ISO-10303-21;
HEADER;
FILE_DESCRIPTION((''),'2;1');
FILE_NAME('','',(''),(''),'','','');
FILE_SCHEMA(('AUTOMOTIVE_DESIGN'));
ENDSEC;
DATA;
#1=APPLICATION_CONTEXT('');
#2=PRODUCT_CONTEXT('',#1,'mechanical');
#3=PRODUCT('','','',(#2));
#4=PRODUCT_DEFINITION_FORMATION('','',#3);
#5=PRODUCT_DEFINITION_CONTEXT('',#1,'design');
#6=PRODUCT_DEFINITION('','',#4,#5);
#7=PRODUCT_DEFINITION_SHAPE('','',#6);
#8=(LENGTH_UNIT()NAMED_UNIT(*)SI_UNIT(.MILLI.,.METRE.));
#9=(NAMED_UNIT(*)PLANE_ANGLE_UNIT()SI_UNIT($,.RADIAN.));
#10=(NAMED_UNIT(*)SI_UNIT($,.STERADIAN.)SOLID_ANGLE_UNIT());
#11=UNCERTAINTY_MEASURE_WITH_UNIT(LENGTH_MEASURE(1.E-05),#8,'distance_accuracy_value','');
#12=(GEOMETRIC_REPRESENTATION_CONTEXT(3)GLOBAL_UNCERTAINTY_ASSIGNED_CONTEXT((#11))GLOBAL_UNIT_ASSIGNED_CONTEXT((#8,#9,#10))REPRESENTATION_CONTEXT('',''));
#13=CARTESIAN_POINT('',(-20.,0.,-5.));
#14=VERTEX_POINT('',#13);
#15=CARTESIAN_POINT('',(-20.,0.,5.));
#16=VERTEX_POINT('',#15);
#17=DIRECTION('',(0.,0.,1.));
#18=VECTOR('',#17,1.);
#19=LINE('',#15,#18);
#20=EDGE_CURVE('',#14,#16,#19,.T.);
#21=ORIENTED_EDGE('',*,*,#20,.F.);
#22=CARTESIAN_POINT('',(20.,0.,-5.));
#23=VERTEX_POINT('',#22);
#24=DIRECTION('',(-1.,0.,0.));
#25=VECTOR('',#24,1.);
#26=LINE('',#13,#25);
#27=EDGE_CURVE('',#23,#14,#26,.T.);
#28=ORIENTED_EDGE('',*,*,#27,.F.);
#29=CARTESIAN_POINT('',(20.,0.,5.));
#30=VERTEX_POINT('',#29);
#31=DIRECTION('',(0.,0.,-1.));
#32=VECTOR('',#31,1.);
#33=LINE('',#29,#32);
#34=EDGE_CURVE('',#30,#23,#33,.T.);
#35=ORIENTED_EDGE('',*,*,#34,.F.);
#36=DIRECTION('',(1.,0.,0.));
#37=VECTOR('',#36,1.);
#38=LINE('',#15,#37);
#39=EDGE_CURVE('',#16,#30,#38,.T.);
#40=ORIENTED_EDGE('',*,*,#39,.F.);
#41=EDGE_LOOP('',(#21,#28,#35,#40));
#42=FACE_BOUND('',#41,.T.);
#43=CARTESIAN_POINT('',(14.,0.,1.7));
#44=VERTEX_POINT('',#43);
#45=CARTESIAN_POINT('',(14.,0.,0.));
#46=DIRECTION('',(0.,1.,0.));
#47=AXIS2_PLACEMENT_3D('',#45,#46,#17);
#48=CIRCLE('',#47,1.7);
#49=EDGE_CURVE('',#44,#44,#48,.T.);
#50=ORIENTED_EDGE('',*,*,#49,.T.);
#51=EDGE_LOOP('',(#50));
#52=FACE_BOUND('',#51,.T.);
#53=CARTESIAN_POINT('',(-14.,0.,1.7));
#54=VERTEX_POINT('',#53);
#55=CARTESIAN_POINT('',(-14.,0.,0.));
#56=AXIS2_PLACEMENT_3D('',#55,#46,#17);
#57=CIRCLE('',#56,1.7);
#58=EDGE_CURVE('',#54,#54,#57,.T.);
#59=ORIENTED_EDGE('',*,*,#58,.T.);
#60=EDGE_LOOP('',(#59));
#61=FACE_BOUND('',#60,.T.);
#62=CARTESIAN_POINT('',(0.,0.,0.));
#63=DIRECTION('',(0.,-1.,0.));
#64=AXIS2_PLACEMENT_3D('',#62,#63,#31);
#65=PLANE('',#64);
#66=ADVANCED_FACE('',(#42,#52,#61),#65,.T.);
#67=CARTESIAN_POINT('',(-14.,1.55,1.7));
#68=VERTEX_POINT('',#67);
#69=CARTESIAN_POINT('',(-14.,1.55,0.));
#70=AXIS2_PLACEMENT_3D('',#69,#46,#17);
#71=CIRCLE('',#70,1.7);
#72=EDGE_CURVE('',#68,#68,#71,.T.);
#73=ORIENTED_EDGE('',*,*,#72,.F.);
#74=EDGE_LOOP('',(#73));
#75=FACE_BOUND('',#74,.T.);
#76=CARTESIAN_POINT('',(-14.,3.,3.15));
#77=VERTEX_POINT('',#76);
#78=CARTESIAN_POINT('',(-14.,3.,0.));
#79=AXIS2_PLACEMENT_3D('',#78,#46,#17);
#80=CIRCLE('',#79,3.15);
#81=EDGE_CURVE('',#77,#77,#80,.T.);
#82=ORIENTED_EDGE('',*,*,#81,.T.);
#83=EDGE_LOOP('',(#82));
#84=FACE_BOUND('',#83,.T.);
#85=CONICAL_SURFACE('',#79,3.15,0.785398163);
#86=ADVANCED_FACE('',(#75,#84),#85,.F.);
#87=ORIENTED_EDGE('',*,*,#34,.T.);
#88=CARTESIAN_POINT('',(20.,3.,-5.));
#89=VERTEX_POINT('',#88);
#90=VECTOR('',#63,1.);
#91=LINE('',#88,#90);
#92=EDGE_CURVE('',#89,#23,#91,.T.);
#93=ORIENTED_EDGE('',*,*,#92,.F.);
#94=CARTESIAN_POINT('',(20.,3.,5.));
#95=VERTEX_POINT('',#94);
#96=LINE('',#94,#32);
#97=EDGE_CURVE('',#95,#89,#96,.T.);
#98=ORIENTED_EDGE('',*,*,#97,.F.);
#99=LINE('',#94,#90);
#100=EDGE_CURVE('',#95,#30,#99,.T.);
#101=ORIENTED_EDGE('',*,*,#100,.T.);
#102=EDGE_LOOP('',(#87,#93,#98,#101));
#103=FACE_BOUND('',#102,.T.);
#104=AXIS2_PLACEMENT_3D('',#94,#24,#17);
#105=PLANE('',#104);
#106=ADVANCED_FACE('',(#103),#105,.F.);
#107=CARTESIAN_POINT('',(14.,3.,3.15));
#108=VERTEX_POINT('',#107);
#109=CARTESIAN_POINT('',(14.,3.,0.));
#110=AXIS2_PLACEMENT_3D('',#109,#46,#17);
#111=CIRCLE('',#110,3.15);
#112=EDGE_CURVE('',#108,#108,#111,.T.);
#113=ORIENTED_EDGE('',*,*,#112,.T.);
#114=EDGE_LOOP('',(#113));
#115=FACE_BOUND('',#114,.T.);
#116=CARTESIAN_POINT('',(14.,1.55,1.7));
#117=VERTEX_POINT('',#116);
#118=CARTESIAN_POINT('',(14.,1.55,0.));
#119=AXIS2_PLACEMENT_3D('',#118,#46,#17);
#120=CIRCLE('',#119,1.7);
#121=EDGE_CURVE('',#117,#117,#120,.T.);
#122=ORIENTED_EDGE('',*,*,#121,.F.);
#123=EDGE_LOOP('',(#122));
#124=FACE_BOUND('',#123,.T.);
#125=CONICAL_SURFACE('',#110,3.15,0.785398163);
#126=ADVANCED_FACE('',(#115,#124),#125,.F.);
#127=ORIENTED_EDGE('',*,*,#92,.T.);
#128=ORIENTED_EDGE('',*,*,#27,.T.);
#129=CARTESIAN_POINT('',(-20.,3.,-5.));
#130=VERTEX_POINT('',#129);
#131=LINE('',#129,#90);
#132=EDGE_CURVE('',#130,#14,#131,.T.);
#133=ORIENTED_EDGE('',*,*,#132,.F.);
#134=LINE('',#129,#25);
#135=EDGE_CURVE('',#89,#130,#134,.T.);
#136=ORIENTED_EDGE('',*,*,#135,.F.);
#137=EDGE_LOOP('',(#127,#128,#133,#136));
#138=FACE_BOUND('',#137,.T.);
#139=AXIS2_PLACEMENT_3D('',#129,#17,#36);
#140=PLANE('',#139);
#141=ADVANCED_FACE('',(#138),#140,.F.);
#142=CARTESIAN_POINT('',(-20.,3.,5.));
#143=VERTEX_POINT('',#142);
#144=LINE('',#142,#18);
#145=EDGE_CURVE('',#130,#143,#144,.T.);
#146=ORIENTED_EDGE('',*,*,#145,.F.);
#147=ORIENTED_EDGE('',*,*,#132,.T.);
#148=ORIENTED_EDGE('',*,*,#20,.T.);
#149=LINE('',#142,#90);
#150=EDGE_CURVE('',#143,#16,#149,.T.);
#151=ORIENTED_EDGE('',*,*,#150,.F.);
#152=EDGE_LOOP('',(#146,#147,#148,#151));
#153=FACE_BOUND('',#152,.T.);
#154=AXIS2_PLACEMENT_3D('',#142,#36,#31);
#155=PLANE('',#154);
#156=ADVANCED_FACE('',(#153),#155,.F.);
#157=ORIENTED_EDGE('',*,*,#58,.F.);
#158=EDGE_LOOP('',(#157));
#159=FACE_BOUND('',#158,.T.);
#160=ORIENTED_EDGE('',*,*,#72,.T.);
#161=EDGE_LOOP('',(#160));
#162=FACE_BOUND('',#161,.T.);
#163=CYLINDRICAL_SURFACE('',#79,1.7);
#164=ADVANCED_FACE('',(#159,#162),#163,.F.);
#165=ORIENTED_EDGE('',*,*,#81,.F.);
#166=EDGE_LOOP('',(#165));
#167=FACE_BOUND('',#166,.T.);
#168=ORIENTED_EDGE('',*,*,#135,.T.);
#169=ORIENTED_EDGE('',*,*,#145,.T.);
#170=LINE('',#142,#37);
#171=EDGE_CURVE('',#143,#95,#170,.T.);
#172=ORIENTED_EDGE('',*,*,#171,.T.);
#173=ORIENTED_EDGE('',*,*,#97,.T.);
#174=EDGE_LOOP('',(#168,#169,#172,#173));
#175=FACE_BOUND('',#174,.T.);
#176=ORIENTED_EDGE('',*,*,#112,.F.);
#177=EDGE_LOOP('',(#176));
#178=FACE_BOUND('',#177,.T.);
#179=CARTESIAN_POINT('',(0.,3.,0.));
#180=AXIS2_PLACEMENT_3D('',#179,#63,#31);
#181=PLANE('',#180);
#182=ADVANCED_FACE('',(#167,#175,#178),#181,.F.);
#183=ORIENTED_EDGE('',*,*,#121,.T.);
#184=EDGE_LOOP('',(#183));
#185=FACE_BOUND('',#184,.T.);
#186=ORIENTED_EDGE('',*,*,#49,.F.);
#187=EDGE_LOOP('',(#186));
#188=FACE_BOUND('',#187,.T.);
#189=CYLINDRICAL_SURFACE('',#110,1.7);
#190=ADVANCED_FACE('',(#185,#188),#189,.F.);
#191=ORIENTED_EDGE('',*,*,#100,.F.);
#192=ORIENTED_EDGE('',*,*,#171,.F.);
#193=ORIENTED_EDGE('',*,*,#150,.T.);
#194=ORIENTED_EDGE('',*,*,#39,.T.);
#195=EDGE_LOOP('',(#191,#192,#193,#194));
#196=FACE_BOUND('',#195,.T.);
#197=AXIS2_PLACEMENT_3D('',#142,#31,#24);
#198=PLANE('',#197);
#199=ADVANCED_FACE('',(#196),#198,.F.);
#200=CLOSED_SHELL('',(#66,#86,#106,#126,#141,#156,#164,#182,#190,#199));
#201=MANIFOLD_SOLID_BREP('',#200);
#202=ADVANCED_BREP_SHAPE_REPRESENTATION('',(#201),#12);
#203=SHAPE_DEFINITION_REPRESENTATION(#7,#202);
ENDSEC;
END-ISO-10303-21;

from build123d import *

# Parameters (mm, degrees)
SKETCH1_W                                    = 40
SKETCH1_H                                    = 10
BOSS_EXTRUDE1_DEPTH                          = 3
CSK_FOR_M3_COUNTERSUNK_FLAT_HEAD_SCR_2_COUNT = 2
CSK_FOR_M3_COUNTERSUNK_FLAT_HEAD_SCR_2_PITCH = 28


with BuildPart() as part:
    # Sketch1 → Boss-Extrude1 (new body)
    with BuildSketch(Plane(origin=(0, 0, 0), x_dir=(1, 0, 0), z_dir=(0, 1, 0))):
        Rectangle(SKETCH1_W, SKETCH1_H)
    extrude(amount=BOSS_EXTRUDE1_DEPTH)

    # Sketch3 → CSK for M3 Countersunk Flat Head Screw1 (revolve, cut)
    with BuildSketch(Plane(origin=(-14, 3, 0), x_dir=(0, 0, 1), z_dir=(1, 0, 0))):
        Polygon((0, 0), (0, 3), (1.7, 3), (1.7, 1.45), (3.15, 0), align=None)
    csk_for_m3_countersunk_flat_head_screw1 = revolve(axis=Axis((-14, 9.35, 0), (0, -1, 0)), mode=Mode.SUBTRACT)

    # CSK for M3 Countersunk Flat Head Scr 2: CSK for M3 Countersunk Flat Head Screw1 ×2
    with Locations(*[(i * CSK_FOR_M3_COUNTERSUNK_FLAT_HEAD_SCR_2_PITCH, 0, 0) for i in range(1, CSK_FOR_M3_COUNTERSUNK_FLAT_HEAD_SCR_2_COUNT)]):
        add(csk_for_m3_countersunk_flat_head_screw1, mode=Mode.SUBTRACT)


solid = part.part
